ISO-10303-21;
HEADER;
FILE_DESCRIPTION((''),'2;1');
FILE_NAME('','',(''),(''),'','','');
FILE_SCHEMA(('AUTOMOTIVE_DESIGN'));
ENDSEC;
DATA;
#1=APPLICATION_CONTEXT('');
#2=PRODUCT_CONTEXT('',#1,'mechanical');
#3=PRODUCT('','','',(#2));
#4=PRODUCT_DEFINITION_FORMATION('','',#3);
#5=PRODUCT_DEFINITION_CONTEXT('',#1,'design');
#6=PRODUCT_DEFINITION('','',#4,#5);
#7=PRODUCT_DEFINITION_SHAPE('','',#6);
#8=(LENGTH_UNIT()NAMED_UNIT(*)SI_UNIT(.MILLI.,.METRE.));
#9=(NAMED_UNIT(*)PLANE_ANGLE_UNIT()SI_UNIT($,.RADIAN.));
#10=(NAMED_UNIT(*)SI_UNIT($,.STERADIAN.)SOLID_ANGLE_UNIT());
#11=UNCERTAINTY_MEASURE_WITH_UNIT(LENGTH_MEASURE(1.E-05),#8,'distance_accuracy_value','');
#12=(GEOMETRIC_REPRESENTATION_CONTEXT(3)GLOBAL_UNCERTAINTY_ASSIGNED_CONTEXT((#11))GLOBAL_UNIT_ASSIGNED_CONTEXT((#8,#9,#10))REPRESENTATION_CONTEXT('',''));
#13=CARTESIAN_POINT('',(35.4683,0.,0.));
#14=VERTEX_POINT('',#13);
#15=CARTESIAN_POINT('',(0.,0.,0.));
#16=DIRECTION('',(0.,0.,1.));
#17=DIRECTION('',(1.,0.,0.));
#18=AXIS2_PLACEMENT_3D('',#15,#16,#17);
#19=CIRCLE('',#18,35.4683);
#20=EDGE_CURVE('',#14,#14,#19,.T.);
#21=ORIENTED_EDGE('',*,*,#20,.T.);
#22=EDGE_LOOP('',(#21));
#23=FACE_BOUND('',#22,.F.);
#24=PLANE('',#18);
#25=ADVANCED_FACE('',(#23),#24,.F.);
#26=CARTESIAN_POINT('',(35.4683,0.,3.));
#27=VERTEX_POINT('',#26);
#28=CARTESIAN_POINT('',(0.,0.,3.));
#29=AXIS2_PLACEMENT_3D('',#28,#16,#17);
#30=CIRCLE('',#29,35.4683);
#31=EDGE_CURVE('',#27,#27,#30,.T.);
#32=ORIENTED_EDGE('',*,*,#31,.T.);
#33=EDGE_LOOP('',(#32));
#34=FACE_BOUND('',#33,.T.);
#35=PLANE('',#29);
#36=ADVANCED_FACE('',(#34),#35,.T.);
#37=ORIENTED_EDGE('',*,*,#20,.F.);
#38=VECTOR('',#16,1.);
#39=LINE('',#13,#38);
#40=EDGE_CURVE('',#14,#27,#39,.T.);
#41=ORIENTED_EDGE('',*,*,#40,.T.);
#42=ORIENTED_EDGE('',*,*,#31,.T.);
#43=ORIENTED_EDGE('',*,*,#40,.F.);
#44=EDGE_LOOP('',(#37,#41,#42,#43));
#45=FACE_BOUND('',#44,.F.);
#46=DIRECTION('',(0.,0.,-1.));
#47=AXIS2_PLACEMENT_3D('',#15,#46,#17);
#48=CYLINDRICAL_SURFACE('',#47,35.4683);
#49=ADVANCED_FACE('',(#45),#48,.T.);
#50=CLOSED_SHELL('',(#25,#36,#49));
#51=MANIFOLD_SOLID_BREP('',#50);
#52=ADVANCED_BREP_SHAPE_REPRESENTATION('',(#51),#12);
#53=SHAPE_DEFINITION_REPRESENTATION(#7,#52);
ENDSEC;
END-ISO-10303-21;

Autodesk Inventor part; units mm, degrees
ref_plane "YZ Plane" through (0, 0, 0) normal (1, 0, 0) x (0, 1, 0)
ref_plane "XZ Plane" through (0, 0, 0) normal (0, 1, 0) x (-1, 0, 0)
ref_plane "XY Plane" through (0, 0, 0) normal (0, 0, 1) x (1, 0, 0)
ref_plane "Work Plane1" through (0, 0, 0) normal (0, 0, 1) x (1, 0, 0)
sketch "Sketch1" plane through (0, 0, 0) normal (0, 0, 1) x (1, 0, 0)
  circle A0 centre (0, 0) radius 35.4683 projected
  point P0 (0, 0)
extrude "Extrusion1" add sketch "Sketch1" along normal blind 3
properties part number "HubSparPlate"
